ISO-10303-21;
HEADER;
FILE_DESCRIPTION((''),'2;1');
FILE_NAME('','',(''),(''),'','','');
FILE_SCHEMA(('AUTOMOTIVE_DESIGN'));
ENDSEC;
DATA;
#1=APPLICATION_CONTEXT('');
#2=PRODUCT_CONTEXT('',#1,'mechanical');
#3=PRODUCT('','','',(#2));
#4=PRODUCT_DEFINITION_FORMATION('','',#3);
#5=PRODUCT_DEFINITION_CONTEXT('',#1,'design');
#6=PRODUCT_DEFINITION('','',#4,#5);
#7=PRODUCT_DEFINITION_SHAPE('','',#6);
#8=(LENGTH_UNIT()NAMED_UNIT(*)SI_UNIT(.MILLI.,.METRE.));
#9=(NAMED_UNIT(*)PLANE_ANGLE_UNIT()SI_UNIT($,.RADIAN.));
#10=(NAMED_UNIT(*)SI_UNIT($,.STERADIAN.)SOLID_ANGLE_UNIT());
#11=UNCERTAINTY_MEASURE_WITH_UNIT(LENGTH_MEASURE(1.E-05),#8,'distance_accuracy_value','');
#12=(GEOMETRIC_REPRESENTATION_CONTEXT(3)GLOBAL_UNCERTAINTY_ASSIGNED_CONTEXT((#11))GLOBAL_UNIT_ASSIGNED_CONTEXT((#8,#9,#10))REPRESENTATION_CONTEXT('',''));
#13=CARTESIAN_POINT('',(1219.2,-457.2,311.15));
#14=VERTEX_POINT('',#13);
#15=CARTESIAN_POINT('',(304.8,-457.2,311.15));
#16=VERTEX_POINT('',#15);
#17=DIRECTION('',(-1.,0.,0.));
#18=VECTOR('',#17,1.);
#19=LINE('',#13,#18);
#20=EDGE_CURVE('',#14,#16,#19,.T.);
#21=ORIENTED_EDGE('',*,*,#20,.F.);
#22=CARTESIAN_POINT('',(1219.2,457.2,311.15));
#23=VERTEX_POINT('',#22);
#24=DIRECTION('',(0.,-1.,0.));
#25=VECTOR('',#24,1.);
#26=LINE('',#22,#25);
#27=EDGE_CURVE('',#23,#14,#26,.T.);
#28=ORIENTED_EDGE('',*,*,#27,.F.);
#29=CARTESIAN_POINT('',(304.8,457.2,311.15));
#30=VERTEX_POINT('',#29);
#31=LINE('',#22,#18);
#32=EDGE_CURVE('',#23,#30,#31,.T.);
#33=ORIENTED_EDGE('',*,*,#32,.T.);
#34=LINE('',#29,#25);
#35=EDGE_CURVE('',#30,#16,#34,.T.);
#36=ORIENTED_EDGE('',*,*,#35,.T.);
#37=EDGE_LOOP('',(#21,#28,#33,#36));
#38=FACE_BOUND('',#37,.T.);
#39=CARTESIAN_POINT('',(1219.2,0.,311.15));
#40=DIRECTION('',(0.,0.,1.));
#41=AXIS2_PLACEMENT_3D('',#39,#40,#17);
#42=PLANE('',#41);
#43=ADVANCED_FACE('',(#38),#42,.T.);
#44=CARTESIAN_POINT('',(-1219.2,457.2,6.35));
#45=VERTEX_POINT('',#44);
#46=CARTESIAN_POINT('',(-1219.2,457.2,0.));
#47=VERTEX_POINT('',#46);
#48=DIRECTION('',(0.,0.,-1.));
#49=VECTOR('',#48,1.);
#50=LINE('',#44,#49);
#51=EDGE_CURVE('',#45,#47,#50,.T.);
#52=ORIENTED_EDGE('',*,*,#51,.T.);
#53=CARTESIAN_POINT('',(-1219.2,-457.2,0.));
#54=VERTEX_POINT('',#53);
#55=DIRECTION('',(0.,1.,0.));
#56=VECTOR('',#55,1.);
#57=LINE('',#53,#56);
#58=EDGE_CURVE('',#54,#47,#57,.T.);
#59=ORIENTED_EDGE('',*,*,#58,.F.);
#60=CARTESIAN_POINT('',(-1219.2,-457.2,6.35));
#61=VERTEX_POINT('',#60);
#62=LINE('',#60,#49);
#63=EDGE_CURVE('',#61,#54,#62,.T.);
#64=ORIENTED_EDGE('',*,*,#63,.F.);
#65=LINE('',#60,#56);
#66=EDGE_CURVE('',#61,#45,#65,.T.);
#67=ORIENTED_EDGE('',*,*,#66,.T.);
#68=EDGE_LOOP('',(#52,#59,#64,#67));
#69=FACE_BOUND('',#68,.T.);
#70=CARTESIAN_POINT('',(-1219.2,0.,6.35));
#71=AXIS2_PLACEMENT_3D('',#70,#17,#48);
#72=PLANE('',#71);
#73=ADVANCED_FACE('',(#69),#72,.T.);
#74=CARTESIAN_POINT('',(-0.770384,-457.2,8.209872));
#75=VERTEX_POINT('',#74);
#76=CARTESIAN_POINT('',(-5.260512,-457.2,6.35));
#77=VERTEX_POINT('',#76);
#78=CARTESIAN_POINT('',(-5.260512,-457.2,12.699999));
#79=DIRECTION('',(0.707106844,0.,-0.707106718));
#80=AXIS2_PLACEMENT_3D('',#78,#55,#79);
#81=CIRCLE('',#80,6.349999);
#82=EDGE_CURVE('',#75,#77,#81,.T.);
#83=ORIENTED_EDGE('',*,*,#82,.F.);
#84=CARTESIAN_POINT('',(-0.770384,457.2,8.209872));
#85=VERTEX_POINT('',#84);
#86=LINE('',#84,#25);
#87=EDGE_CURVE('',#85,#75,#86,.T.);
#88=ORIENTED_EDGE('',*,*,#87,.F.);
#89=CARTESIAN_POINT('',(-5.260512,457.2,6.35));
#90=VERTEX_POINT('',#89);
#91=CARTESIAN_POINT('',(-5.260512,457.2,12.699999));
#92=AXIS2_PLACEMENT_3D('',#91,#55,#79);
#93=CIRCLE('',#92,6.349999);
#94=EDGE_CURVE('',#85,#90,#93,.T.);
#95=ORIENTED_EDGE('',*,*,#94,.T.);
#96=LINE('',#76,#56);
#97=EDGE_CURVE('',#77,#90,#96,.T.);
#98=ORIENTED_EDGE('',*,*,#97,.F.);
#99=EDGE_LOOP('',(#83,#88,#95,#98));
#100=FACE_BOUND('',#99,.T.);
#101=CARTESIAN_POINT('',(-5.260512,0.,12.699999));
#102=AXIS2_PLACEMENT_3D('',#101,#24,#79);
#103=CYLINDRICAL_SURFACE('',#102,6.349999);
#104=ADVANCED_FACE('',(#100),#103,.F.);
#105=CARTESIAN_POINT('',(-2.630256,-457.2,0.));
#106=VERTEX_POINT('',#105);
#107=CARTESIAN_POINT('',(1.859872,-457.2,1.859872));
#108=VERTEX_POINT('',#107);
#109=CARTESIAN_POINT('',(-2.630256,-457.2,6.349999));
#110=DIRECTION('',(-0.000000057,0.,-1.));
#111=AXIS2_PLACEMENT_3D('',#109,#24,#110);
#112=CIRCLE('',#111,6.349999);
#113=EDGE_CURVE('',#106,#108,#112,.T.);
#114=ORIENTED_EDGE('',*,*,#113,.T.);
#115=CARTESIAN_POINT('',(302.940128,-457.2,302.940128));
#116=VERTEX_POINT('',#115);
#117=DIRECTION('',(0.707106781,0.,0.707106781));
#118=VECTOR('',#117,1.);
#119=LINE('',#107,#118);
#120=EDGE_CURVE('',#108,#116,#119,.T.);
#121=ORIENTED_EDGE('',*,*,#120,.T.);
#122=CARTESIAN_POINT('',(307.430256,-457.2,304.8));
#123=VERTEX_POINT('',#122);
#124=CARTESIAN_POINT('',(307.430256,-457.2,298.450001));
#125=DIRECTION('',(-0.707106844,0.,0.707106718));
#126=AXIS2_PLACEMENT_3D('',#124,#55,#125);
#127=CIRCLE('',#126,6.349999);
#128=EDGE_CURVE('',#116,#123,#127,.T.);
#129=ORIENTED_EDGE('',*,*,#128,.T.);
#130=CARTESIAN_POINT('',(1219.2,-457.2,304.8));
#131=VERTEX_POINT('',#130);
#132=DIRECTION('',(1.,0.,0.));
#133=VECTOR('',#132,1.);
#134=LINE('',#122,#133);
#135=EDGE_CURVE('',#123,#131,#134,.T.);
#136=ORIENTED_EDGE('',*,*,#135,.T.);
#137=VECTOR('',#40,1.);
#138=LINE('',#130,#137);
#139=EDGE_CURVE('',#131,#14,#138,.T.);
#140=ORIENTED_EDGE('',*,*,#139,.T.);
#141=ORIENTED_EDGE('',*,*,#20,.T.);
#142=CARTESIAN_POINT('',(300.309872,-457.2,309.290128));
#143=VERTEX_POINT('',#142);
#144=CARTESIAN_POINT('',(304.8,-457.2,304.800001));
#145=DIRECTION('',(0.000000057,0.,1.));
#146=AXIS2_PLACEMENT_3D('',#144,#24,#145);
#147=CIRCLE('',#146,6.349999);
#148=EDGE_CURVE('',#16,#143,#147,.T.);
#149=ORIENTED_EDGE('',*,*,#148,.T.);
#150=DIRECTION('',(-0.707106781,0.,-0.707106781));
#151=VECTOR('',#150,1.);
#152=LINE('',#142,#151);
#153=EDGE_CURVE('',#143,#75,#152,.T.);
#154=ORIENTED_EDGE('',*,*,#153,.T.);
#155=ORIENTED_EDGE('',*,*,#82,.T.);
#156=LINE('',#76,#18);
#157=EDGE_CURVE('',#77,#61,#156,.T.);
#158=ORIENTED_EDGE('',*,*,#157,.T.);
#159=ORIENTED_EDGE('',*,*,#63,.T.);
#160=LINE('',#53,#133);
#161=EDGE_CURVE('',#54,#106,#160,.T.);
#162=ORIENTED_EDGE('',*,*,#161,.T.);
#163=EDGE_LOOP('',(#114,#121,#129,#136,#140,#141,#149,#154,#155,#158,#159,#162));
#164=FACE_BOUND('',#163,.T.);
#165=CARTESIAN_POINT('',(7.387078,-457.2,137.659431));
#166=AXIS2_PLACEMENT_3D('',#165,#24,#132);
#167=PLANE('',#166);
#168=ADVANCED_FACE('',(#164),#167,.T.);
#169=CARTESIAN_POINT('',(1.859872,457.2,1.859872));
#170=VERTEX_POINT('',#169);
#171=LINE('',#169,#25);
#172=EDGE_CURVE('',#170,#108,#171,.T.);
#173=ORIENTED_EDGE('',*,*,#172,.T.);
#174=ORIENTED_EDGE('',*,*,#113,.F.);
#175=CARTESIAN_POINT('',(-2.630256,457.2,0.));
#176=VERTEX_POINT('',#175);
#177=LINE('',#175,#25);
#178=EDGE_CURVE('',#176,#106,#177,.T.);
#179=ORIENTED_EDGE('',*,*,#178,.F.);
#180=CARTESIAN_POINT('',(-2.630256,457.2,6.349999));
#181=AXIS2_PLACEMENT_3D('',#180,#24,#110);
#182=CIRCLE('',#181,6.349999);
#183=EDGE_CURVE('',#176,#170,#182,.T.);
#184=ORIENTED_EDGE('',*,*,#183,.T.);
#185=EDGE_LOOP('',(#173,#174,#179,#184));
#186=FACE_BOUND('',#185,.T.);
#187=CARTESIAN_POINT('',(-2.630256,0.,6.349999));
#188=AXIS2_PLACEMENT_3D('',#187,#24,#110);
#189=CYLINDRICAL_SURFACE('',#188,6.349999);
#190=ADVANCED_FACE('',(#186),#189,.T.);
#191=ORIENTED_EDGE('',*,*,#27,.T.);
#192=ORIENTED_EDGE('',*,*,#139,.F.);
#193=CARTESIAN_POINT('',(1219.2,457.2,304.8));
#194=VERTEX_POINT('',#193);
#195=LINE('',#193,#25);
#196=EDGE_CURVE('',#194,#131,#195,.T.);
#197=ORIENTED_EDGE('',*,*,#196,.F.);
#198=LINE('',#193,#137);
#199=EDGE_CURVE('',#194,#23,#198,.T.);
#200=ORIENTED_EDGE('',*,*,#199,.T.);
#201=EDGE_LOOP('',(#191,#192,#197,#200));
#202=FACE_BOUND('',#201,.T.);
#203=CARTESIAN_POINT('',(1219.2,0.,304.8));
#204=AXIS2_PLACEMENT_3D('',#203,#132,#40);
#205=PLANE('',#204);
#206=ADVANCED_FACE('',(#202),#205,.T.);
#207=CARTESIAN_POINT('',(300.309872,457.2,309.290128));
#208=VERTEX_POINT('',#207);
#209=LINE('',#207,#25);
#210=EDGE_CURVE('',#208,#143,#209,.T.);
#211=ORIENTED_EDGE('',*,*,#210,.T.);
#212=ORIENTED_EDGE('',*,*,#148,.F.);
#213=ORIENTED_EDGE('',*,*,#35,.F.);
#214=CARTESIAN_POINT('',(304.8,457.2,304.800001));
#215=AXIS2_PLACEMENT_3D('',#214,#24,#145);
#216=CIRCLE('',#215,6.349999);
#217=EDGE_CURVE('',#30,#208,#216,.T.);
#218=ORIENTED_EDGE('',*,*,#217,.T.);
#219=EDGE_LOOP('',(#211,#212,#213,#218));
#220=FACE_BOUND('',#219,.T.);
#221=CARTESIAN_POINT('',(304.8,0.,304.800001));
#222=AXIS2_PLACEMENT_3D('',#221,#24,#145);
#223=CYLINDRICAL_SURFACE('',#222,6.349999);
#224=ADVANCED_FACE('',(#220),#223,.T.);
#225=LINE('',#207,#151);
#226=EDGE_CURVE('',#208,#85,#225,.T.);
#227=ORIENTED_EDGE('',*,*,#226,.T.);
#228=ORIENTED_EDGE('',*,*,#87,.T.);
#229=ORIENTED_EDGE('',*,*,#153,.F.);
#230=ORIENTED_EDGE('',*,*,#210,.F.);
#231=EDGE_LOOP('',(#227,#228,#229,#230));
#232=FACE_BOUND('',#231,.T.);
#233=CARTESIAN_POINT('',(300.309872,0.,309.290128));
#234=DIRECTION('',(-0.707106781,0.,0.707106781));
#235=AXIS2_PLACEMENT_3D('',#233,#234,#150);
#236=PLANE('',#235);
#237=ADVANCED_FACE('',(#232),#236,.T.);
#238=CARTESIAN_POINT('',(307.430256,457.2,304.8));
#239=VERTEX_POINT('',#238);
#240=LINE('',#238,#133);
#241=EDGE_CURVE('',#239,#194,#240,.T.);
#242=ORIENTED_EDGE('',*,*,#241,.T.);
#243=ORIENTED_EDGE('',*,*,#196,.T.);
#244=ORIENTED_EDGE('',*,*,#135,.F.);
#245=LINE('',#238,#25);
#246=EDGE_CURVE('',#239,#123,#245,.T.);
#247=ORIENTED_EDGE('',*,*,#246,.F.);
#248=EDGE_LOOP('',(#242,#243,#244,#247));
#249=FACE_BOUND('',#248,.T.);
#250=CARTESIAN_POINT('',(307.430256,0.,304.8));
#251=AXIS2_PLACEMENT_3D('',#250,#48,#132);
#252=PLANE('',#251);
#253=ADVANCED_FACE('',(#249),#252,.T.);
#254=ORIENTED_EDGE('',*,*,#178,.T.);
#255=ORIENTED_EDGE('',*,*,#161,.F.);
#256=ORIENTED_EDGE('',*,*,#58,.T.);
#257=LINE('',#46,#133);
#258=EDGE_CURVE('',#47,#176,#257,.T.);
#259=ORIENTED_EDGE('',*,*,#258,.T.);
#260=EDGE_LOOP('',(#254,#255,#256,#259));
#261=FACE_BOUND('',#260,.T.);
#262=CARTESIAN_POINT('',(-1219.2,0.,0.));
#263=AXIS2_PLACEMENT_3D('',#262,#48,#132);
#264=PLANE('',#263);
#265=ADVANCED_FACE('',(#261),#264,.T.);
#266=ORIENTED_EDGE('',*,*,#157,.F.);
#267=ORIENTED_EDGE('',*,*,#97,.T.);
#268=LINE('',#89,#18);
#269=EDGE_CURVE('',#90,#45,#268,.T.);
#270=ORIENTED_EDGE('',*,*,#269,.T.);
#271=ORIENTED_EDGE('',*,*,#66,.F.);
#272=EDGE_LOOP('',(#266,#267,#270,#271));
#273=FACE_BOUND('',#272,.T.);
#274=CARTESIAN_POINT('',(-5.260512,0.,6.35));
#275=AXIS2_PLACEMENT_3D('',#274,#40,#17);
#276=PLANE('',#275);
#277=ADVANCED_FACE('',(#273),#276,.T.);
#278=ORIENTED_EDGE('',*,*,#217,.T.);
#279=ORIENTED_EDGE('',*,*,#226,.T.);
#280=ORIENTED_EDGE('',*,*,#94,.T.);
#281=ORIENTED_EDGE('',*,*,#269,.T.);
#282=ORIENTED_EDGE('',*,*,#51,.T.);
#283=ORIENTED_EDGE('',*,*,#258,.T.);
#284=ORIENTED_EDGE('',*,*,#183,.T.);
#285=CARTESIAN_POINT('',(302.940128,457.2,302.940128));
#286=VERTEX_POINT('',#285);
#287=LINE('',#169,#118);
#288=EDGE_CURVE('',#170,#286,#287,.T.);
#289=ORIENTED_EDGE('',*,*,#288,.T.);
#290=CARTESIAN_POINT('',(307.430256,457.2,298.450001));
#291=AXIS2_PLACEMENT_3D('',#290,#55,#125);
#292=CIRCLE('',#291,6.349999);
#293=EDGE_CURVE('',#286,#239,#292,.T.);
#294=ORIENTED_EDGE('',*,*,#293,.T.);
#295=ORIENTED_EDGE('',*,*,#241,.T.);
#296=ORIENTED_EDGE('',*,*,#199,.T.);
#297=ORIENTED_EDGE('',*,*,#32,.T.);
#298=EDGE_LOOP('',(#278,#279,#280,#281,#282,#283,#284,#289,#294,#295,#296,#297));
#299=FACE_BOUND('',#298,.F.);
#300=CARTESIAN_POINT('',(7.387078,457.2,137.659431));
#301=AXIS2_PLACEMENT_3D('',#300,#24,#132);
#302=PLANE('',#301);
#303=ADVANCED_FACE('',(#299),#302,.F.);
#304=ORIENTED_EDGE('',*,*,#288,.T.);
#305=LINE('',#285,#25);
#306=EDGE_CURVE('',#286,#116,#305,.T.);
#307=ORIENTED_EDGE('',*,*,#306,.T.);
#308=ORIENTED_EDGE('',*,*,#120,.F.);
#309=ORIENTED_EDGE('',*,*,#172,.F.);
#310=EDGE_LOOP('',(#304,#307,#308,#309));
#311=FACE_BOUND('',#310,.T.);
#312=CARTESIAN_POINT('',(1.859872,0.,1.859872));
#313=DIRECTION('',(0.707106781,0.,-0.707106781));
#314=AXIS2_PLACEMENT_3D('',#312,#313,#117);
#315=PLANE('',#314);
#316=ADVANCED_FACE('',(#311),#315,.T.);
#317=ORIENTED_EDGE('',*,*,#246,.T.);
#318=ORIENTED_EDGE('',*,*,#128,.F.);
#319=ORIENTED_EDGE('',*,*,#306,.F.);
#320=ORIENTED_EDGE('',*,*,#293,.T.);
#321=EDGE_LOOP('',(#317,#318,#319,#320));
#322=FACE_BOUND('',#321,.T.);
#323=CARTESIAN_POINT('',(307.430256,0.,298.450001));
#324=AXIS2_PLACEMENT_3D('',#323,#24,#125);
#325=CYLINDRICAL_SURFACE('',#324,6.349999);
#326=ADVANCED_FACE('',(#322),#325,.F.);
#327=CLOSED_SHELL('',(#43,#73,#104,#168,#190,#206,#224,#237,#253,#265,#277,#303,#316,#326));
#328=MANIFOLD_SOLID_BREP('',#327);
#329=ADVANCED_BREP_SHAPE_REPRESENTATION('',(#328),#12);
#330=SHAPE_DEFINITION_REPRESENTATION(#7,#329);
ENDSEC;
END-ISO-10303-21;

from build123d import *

# Parameters (mm, degrees)
F1_DEPTH = 457.2


with BuildPart() as f1:
    # F0 (on Front) → F1 (new body, symmetric)
    with BuildSketch(Plane.XZ):
        with BuildLine():
            Line((-1219.2, 0), (-2.630256, 0))
            ThreePointArc((-2.630256, 0), (-0.200216, 0.483365), (1.859872, 1.859872))
            Line((1.859872, 1.859872), (302.940128, 302.940128))
            ThreePointArc((302.940128, 302.940128), (305.000216, 304.316635), (307.430256, 304.8))
            Line((307.430256, 304.8), (1219.2, 304.8))
            Line((1219.2, 304.8), (1219.2, 311.15))
            Line((1219.2, 311.15), (304.8, 311.15))
            ThreePointArc((304.8, 311.15), (302.36996, 310.666635), (300.309872, 309.290128))
            Line((300.309872, 309.290128), (-0.770384, 8.209872))
            ThreePointArc((-0.770384, 8.209872), (-2.830472, 6.833365), (-5.260512, 6.35))
            Line((-5.260512, 6.35), (-1219.2, 6.35))
            Line((-1219.2, 6.35), (-1219.2, 0))
        make_face()
    extrude(amount=F1_DEPTH, both=True)


solid = f1.part
